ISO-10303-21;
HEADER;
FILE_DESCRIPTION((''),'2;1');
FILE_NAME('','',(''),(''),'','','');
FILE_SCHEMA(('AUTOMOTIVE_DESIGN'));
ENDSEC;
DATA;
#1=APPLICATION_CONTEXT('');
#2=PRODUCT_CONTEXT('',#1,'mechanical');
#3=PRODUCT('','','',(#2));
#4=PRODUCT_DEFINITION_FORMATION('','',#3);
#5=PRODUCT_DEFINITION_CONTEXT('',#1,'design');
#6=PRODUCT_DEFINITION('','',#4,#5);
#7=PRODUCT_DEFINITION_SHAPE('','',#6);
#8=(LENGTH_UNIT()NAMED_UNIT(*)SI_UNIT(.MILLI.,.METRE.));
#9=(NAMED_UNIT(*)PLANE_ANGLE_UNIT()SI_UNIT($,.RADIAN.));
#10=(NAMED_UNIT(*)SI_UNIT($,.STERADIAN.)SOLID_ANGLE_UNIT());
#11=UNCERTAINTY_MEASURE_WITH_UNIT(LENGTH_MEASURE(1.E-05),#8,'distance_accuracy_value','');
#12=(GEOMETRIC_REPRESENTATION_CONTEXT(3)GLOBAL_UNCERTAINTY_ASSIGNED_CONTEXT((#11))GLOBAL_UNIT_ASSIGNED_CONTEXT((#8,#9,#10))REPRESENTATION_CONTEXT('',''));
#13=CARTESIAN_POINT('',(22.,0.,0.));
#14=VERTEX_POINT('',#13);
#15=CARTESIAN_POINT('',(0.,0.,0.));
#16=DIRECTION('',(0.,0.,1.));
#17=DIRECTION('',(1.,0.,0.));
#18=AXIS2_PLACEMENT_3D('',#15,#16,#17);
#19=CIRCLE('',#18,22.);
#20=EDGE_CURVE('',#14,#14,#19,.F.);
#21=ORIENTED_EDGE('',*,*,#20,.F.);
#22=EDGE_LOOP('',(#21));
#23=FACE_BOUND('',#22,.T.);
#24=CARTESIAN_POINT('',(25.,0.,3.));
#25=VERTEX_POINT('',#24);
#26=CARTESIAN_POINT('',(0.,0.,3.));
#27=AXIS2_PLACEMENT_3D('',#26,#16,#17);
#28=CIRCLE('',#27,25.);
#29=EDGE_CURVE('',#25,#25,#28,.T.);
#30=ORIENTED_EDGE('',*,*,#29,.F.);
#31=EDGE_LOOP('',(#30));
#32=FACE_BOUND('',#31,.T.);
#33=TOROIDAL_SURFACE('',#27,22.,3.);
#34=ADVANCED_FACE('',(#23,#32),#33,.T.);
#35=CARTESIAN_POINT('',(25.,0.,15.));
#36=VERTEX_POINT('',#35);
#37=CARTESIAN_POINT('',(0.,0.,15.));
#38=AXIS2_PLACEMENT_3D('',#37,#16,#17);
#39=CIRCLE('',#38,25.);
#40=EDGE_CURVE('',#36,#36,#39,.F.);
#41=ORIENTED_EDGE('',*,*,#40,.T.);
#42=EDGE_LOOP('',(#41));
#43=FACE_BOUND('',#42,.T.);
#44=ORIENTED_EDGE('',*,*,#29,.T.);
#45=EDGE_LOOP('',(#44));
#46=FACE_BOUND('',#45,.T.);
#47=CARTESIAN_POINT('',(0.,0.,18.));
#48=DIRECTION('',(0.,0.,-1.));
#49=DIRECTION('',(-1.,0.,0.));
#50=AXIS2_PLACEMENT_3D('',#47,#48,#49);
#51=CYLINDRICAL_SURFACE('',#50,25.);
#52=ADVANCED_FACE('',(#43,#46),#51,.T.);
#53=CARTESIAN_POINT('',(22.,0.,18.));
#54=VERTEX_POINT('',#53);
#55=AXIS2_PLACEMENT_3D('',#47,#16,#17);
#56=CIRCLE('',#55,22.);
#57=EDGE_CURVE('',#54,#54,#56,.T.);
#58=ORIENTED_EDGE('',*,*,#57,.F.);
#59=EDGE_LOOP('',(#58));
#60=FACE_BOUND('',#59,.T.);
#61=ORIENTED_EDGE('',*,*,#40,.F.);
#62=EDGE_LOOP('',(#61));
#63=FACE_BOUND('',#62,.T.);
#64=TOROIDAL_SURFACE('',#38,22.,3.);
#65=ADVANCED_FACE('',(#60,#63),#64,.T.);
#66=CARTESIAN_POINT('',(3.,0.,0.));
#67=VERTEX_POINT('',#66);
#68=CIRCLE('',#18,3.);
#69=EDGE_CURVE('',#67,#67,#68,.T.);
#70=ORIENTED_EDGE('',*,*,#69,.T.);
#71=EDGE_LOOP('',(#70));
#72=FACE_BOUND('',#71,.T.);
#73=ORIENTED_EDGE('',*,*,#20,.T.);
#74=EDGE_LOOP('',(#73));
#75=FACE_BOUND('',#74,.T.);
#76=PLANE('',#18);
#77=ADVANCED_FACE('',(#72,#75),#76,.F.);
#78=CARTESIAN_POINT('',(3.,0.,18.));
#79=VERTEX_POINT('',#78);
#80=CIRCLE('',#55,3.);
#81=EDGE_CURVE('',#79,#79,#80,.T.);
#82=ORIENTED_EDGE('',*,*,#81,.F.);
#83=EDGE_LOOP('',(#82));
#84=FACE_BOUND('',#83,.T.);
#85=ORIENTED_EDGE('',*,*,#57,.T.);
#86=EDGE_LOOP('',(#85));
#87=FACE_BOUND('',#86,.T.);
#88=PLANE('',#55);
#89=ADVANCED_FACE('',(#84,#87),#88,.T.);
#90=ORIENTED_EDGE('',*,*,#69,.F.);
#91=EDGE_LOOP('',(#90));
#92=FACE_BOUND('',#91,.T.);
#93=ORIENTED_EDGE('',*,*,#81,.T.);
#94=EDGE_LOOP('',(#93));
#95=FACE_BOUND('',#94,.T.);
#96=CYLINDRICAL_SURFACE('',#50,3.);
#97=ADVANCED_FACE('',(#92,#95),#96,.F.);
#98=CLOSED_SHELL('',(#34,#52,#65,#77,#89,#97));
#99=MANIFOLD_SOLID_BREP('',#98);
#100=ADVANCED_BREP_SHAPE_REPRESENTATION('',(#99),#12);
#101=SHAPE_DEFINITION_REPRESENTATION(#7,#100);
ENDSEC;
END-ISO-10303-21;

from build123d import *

# Parameters (mm, degrees)
SKETCH1_R           = 25
SKETCH1_R_2         = 3
BOSS_EXTRUDE1_DEPTH = 18
FILLET1_R           = 3


with BuildPart() as part:
    # Sketch1 → Boss-Extrude1 (new body)
    with BuildSketch(Plane.XY):
        Circle(SKETCH1_R)
        Circle(SKETCH1_R_2, mode=Mode.SUBTRACT)
    extrude(amount=BOSS_EXTRUDE1_DEPTH)

    # Fillet1
    fillet1_edges = [part.edges().sort_by_distance(p)[0] for p in [
        (-25, 0, 0),
        (-25, 0, 18),
    ]]
    fillet(fillet1_edges, radius=FILLET1_R)


solid = part.part
